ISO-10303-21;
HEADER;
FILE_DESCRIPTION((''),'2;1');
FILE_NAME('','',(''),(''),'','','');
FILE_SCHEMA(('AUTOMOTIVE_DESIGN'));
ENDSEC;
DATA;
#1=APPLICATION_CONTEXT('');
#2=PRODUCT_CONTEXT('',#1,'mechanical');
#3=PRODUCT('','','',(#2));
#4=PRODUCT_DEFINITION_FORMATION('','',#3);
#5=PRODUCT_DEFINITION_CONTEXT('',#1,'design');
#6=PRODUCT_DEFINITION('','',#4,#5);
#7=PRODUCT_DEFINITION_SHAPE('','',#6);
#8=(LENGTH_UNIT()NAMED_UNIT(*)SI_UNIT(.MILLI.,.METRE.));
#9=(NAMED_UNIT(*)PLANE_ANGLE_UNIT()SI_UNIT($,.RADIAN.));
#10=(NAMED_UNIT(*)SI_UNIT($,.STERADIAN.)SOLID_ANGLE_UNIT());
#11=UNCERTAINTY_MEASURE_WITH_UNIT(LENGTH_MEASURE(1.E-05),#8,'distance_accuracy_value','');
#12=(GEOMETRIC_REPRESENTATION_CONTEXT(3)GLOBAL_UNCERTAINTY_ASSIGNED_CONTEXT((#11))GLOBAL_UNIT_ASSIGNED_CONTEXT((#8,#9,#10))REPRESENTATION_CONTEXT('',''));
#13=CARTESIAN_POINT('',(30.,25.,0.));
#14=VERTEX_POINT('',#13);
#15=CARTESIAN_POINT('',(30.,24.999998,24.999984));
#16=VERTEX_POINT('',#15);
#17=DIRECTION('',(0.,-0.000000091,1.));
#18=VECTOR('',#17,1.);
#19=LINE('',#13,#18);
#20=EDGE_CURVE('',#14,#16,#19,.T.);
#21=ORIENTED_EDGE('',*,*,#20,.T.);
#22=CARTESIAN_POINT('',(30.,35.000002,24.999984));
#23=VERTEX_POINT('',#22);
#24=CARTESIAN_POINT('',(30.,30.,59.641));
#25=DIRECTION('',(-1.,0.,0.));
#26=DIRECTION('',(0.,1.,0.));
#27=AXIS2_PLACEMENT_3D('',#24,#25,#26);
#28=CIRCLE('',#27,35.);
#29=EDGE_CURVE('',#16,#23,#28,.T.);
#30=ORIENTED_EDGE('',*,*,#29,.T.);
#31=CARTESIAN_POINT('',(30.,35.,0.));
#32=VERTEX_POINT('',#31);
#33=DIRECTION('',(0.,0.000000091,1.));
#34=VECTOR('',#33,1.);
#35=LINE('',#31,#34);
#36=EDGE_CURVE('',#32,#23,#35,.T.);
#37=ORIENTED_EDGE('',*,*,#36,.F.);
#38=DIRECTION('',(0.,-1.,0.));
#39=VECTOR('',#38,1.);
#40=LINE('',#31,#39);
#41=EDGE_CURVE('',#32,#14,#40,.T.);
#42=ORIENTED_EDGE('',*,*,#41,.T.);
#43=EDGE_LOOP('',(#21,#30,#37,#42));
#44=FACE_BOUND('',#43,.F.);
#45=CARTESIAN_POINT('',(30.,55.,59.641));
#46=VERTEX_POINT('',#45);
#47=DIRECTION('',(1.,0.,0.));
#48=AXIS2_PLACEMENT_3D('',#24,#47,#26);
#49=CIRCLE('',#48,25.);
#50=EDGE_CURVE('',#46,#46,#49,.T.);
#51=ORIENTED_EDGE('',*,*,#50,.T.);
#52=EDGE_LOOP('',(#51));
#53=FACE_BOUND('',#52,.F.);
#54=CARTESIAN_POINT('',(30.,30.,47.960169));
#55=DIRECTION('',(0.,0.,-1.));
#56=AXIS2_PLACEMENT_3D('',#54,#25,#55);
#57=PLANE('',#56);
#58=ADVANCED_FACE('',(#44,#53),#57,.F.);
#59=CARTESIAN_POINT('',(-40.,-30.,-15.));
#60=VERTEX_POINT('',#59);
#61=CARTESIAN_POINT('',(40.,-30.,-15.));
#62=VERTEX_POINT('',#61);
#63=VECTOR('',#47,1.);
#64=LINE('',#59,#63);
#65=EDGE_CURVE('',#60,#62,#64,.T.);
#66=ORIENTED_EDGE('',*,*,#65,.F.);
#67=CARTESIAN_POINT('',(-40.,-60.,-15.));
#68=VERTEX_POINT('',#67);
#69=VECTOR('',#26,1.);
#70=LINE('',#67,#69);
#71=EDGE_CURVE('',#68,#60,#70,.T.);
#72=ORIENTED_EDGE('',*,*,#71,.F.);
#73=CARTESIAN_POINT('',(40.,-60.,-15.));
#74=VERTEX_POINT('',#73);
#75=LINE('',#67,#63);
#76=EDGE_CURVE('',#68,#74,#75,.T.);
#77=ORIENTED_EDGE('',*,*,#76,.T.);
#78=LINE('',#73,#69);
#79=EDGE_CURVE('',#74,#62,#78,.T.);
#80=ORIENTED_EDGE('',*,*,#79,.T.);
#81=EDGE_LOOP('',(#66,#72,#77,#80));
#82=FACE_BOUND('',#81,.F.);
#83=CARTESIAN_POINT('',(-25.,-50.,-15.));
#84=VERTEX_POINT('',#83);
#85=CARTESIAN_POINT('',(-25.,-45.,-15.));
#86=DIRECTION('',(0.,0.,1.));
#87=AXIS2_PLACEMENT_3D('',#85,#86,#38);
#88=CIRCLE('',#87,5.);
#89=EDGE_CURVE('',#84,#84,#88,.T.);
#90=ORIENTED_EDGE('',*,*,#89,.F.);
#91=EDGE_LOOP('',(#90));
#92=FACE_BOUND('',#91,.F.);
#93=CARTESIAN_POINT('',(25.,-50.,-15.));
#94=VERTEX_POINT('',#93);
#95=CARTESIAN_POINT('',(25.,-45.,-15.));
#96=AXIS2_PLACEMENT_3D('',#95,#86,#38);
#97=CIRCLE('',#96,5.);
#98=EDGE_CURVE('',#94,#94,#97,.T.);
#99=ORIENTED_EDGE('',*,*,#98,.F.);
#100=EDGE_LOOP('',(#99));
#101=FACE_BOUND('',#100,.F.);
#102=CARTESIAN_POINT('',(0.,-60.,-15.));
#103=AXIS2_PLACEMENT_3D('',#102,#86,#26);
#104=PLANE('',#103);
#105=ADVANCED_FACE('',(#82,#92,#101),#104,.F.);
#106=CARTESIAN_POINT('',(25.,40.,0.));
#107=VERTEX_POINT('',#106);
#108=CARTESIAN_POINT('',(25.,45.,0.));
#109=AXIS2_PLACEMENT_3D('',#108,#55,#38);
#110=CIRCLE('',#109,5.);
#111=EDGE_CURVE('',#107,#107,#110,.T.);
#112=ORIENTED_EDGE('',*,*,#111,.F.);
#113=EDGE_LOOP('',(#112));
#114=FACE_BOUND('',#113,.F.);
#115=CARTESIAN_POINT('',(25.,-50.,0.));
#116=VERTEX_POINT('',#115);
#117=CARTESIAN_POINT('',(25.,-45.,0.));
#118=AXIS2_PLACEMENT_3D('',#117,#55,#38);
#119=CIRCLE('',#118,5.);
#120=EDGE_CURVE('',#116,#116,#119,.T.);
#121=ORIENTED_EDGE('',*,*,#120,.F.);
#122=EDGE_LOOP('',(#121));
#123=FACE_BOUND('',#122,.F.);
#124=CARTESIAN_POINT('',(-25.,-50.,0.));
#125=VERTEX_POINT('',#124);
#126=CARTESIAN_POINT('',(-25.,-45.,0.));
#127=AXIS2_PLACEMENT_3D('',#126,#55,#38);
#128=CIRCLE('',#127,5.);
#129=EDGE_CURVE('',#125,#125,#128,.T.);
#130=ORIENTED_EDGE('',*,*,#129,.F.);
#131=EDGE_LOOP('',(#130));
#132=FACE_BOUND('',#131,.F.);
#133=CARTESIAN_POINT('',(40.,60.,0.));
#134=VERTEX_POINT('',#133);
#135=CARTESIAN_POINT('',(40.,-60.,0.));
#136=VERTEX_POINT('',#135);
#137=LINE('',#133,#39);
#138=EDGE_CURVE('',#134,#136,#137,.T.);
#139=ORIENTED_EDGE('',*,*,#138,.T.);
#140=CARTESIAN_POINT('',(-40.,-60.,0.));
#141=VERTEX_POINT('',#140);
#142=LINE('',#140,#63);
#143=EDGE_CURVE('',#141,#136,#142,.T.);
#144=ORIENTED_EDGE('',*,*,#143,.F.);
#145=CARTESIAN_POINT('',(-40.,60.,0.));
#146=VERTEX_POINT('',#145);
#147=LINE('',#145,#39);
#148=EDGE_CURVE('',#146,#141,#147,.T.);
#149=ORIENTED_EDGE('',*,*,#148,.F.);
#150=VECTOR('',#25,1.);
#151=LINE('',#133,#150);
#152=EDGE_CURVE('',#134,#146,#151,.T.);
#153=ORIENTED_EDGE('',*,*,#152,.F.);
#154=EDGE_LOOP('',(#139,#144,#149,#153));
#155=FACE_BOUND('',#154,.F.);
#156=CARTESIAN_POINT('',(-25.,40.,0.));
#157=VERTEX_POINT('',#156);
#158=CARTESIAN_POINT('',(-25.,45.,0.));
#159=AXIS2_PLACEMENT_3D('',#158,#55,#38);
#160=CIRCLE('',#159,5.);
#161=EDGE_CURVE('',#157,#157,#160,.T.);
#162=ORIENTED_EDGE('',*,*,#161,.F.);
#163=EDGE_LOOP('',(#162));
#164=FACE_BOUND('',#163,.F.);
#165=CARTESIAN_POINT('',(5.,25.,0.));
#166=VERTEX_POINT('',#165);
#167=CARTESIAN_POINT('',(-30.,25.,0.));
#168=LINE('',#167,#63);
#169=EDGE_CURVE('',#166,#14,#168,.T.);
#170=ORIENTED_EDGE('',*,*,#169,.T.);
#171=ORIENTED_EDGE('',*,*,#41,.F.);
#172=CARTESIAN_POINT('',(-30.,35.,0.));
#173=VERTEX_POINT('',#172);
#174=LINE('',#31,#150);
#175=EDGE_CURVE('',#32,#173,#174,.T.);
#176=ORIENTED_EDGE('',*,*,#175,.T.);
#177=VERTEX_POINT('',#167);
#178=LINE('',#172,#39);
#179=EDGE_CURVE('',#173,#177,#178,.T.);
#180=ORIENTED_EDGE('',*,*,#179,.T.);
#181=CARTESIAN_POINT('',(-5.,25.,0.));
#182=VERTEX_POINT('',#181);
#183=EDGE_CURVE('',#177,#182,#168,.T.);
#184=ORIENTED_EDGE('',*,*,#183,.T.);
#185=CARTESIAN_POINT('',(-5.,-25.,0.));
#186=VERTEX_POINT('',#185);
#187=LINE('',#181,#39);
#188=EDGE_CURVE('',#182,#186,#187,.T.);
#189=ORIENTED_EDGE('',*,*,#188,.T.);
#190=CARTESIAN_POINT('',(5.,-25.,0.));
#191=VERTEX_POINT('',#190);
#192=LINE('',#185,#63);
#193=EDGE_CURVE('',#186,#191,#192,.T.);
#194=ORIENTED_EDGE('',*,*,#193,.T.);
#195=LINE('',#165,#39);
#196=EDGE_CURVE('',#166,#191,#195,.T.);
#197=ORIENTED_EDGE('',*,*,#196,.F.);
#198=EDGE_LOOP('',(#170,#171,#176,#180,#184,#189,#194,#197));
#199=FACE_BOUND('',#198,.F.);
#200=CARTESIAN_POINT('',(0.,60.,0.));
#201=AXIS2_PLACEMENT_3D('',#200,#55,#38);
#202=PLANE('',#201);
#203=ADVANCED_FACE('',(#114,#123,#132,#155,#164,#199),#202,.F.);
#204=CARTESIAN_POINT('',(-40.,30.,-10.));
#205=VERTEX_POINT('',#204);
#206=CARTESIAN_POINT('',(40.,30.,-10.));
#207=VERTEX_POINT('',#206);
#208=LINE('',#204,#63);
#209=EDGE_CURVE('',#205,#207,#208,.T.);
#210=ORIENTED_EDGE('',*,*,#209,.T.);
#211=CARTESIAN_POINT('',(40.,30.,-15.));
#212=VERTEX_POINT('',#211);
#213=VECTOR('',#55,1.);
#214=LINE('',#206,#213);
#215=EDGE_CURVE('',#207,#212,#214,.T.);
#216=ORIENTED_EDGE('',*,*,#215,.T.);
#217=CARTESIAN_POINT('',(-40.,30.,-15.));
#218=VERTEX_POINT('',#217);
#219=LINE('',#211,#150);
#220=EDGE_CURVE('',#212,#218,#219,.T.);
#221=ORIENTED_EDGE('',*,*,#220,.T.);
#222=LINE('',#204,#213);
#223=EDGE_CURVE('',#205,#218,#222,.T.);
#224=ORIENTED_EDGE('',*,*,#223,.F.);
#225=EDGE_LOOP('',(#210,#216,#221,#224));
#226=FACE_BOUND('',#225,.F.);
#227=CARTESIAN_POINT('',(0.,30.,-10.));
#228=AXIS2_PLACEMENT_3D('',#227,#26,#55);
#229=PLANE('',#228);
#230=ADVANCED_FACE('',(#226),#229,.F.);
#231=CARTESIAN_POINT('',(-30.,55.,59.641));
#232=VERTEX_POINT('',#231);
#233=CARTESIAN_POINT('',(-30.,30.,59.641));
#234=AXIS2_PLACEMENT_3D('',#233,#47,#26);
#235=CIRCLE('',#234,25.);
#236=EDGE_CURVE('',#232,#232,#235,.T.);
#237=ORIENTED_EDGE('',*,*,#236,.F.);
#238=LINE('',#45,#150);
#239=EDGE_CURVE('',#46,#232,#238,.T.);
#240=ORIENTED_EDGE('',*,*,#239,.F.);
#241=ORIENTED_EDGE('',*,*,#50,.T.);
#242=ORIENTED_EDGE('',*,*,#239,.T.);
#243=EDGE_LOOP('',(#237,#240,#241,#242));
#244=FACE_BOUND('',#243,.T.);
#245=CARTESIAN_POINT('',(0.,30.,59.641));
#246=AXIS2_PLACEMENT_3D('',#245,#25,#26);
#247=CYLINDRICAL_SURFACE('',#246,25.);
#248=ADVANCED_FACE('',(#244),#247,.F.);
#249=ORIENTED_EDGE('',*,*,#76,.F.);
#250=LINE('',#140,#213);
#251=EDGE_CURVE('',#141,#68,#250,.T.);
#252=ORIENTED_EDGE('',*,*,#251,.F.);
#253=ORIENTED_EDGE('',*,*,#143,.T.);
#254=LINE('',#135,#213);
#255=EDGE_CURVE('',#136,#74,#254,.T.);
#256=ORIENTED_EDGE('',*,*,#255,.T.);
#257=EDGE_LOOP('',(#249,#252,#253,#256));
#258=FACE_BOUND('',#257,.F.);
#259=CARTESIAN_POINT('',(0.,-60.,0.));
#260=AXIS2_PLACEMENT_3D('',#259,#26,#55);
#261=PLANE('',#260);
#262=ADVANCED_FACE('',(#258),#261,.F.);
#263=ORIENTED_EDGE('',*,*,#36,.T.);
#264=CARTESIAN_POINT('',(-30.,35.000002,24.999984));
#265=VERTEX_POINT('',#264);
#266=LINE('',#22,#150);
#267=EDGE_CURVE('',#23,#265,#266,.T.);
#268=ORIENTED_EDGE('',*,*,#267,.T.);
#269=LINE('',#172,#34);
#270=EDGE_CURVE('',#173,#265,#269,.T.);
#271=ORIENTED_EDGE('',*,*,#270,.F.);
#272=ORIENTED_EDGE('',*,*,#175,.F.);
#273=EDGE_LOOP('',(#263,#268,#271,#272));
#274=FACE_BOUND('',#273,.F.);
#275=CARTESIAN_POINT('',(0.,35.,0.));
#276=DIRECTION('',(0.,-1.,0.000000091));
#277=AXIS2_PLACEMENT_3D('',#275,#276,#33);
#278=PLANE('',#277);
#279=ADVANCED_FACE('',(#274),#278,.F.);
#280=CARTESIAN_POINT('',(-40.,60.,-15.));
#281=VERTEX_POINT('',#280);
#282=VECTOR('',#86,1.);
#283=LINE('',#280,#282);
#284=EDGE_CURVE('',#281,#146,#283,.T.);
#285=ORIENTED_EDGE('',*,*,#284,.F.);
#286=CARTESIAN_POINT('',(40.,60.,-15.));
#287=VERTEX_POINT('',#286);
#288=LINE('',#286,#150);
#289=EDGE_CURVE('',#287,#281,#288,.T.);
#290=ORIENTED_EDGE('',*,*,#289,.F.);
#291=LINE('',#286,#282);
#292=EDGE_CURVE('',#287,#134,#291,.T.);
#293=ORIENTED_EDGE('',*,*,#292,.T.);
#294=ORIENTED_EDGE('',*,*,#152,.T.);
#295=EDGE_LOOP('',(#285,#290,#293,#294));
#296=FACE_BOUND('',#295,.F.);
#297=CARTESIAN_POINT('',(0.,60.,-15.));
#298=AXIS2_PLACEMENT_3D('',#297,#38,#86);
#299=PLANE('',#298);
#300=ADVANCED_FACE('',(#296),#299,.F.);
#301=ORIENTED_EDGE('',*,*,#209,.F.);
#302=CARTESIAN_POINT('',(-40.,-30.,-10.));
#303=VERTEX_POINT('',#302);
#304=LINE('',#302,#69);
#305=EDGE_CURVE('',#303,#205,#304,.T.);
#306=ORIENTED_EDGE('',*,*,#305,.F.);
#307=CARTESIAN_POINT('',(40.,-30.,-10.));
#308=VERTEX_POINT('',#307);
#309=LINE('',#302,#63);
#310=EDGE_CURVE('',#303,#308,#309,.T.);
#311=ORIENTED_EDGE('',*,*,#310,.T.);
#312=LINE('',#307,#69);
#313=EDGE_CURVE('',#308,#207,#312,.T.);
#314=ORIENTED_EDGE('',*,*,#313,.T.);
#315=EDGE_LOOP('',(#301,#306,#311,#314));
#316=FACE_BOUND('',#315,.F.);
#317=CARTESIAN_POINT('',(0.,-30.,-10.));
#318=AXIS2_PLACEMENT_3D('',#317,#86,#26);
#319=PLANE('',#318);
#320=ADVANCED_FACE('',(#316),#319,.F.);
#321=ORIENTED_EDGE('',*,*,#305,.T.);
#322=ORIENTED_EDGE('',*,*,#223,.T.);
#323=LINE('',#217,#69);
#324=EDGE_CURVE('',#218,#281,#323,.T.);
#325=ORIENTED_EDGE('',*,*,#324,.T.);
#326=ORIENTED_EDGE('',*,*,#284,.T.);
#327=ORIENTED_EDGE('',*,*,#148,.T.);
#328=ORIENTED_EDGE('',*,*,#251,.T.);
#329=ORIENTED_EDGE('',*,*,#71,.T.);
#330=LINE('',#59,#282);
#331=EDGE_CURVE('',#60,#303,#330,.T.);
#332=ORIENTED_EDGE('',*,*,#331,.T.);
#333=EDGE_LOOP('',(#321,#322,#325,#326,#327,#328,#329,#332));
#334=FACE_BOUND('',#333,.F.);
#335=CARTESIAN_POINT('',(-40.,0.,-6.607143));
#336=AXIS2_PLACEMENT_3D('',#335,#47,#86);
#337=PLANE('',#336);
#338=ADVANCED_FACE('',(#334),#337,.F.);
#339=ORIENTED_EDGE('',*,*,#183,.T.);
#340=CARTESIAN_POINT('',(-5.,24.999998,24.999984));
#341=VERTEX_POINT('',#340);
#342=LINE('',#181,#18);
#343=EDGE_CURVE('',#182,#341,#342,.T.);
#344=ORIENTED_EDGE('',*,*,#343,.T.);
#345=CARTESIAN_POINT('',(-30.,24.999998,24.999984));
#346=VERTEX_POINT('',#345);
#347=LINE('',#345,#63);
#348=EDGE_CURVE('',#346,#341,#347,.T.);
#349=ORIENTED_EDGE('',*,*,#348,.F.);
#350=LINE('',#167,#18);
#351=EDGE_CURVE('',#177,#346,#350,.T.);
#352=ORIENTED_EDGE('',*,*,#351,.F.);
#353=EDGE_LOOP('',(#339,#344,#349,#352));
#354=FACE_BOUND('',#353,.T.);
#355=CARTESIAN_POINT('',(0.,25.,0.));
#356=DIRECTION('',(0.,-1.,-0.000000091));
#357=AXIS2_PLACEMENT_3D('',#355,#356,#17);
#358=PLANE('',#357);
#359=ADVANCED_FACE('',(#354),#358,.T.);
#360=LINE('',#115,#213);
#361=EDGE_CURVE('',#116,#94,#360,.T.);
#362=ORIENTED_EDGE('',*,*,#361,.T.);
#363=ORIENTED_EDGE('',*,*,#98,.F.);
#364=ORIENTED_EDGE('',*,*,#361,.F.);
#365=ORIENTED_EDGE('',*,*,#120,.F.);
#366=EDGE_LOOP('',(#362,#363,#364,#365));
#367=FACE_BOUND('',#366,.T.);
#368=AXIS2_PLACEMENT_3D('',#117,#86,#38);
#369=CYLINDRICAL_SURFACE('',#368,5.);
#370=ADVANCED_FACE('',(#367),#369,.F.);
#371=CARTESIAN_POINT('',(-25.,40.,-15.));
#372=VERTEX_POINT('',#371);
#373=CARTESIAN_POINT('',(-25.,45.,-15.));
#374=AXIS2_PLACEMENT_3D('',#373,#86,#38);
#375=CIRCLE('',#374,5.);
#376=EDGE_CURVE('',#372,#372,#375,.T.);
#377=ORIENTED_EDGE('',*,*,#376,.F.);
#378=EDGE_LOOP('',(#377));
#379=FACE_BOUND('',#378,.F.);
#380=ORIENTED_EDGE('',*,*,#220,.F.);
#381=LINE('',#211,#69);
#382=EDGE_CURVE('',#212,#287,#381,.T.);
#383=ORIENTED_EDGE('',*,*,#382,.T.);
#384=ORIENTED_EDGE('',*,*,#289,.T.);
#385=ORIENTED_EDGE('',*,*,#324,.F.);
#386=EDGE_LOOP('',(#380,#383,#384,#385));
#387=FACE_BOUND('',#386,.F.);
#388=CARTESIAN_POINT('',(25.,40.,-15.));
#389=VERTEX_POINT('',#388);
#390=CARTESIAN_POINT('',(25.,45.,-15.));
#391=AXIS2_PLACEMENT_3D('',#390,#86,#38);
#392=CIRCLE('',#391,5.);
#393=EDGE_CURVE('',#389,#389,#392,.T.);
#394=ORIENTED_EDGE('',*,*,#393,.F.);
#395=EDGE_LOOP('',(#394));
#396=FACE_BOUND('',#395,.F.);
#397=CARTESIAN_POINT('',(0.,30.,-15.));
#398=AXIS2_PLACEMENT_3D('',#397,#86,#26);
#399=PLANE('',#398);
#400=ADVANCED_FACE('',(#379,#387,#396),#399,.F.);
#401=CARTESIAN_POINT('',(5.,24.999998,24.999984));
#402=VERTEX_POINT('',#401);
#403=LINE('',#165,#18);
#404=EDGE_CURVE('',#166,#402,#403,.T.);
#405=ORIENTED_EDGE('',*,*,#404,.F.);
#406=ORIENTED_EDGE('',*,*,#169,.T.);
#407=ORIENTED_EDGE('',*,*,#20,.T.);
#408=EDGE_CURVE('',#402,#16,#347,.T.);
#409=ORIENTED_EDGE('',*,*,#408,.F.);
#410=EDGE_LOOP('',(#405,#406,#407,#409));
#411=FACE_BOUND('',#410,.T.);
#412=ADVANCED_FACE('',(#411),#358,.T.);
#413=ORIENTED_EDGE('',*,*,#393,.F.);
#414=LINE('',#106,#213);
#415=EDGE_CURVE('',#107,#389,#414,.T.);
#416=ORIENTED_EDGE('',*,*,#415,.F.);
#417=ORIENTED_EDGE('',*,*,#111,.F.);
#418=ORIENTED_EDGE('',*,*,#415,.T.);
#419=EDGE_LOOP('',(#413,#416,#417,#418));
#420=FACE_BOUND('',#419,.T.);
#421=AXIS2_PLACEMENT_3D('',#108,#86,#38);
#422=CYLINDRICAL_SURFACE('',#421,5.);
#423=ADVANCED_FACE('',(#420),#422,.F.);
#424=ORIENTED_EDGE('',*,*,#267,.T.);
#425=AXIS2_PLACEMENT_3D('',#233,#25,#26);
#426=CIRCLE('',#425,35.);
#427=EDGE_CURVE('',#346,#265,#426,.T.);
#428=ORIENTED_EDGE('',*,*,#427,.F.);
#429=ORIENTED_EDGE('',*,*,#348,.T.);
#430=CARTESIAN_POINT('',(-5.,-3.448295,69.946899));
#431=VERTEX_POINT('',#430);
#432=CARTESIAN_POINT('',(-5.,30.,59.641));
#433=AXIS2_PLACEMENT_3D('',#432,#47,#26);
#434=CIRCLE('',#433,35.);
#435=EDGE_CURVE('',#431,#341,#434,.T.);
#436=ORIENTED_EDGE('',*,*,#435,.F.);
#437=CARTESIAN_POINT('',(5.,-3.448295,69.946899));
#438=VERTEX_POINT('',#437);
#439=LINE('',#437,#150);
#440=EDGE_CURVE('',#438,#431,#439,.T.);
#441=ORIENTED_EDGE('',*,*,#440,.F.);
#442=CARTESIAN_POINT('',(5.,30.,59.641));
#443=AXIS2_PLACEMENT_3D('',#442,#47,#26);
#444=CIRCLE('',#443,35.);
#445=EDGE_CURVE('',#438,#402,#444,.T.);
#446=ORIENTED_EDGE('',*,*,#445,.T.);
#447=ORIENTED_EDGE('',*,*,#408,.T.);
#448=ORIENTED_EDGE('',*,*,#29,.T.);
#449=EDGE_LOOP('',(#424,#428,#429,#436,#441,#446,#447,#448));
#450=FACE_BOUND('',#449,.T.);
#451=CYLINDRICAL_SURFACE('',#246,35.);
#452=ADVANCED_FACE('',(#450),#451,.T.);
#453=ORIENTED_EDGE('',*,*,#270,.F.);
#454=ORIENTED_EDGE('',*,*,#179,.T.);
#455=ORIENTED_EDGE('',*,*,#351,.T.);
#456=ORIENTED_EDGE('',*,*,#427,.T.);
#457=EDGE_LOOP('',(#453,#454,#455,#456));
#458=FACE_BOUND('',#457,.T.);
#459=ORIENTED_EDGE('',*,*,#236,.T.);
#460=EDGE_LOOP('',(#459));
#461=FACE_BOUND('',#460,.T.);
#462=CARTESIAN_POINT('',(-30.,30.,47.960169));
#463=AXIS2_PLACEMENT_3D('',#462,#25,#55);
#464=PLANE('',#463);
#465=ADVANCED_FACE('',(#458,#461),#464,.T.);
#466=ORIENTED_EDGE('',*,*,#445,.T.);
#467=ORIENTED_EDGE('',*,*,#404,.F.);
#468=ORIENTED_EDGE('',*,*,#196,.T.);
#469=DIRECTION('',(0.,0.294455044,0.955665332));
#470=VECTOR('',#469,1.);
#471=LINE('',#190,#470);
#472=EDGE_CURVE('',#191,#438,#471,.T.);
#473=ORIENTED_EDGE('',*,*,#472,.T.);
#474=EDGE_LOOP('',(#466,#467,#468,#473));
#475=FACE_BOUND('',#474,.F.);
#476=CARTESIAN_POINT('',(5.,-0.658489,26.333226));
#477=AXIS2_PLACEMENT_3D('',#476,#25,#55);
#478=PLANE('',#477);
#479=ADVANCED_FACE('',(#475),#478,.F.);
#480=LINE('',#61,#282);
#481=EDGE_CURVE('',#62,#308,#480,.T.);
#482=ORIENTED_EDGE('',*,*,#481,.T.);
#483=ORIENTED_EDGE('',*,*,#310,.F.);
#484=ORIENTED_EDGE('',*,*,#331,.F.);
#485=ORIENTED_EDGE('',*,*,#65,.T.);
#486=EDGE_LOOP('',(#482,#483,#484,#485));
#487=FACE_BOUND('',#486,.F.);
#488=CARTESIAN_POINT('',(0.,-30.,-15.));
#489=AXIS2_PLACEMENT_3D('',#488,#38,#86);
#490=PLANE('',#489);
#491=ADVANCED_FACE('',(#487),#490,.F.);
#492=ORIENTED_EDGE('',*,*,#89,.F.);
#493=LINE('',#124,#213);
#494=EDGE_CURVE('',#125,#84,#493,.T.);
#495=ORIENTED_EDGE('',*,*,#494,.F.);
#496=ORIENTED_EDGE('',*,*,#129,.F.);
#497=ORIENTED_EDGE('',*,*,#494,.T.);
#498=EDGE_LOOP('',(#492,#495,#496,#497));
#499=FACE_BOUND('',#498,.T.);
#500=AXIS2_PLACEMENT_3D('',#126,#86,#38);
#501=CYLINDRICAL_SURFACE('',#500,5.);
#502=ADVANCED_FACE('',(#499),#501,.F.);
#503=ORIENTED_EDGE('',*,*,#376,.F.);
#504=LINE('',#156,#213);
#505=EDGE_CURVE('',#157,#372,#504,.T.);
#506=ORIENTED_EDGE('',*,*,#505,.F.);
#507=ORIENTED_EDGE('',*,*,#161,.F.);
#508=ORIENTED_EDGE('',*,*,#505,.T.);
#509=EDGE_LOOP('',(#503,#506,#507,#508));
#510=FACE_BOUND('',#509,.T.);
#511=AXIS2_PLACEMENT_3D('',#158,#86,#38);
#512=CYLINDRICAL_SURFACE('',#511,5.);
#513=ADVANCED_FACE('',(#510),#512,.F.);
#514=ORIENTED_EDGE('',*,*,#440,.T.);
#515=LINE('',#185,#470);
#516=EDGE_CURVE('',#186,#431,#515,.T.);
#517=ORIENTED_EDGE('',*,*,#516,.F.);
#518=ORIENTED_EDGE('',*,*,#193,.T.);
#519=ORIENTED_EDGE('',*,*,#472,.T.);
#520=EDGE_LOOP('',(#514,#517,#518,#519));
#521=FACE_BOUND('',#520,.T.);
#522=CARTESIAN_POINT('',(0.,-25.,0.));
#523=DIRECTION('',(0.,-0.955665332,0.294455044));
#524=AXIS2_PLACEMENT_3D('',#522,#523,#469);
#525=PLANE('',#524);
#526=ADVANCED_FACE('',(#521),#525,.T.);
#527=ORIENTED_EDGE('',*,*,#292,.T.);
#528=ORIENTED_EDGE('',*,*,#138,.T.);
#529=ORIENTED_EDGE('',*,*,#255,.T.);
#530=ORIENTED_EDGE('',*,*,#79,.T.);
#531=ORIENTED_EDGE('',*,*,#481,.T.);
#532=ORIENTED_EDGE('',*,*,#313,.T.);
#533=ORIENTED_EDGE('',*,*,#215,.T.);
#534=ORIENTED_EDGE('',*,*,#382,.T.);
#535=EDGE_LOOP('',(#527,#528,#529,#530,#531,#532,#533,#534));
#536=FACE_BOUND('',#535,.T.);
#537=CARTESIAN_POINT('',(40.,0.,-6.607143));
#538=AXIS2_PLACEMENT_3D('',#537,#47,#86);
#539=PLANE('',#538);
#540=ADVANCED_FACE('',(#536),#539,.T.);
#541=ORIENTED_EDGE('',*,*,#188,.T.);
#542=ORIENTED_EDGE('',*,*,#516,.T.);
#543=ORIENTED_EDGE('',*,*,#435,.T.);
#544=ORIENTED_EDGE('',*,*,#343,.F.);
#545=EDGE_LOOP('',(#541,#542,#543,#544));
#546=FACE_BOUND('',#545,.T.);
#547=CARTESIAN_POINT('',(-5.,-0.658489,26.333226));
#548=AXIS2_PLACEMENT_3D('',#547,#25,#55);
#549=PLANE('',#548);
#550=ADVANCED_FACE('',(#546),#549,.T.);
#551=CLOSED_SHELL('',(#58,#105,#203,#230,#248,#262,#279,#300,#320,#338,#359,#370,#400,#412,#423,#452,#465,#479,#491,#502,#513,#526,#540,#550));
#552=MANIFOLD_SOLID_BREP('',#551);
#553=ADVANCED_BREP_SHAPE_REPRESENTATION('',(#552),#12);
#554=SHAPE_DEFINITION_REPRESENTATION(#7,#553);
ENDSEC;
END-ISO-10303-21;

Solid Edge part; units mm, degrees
sketch "Sketch1" plane through (0, 0, 0) normal (1, 0, 0) x (0, 1, 0)
  line L0 (60, 0) -> (-60, 0)
  line L1 (-60, 0) -> (-60, -15)
  line L2 (-60, -15) -> (-30, -15)
  line L3 (-30, -15) -> (-30, -10)
  line L4 (-30, -10) -> (30, -10)
  line L5 (30, -10) -> (30, -15)
  line L6 (30, -15) -> (60, -15)
  line L7 (60, -15) -> (60, 0)
extrude "Protrusion1" add sketch "Sketch1" along normal mid plane 80
hole "Hole_1" at (-25, -45, 0) direction (0, 0, -1) diameter 10 end up to next
pattern_linear "Pattern1" count 2 spacing 50 along (1, 0, 0) count 2 spacing 90 along (0, 1, 0) of "Hole_1"
sketch "Sketch2" plane through (0, 0, 0) normal (1, 0, 0) x (0, 1, 0)
  arc A0 (25, 25) -> (35, 25) centre (30, 59.641) cw
  line L0 (35, 0) -> (35, 25)
  line L1 (35, 0) -> (25, 0)
  line L2 (25, 0) -> (25, 25)
  circle A1 centre (30, 59.641) radius 25
extrude "ExtrudedProtrusion_4" add sketch "Sketch2" along normal mid plane 60
sketch "Sketch3" plane through (0, 0, 0) normal (1, 0, 0) x (0, 1, 0)
  line L0 (-25, 0) -> (-3.4483, 69.9469)
  arc A0 (-3.4483, 69.9469) -> (25, 25) centre (30, 59.641) ccw
  line L1 (25, 0) -> (25, 25)
  line L2 (25, 0) -> (-25, 0)
extrude "ExtrudedProtrusion_3" add sketch "Sketch3" along normal mid plane 10
